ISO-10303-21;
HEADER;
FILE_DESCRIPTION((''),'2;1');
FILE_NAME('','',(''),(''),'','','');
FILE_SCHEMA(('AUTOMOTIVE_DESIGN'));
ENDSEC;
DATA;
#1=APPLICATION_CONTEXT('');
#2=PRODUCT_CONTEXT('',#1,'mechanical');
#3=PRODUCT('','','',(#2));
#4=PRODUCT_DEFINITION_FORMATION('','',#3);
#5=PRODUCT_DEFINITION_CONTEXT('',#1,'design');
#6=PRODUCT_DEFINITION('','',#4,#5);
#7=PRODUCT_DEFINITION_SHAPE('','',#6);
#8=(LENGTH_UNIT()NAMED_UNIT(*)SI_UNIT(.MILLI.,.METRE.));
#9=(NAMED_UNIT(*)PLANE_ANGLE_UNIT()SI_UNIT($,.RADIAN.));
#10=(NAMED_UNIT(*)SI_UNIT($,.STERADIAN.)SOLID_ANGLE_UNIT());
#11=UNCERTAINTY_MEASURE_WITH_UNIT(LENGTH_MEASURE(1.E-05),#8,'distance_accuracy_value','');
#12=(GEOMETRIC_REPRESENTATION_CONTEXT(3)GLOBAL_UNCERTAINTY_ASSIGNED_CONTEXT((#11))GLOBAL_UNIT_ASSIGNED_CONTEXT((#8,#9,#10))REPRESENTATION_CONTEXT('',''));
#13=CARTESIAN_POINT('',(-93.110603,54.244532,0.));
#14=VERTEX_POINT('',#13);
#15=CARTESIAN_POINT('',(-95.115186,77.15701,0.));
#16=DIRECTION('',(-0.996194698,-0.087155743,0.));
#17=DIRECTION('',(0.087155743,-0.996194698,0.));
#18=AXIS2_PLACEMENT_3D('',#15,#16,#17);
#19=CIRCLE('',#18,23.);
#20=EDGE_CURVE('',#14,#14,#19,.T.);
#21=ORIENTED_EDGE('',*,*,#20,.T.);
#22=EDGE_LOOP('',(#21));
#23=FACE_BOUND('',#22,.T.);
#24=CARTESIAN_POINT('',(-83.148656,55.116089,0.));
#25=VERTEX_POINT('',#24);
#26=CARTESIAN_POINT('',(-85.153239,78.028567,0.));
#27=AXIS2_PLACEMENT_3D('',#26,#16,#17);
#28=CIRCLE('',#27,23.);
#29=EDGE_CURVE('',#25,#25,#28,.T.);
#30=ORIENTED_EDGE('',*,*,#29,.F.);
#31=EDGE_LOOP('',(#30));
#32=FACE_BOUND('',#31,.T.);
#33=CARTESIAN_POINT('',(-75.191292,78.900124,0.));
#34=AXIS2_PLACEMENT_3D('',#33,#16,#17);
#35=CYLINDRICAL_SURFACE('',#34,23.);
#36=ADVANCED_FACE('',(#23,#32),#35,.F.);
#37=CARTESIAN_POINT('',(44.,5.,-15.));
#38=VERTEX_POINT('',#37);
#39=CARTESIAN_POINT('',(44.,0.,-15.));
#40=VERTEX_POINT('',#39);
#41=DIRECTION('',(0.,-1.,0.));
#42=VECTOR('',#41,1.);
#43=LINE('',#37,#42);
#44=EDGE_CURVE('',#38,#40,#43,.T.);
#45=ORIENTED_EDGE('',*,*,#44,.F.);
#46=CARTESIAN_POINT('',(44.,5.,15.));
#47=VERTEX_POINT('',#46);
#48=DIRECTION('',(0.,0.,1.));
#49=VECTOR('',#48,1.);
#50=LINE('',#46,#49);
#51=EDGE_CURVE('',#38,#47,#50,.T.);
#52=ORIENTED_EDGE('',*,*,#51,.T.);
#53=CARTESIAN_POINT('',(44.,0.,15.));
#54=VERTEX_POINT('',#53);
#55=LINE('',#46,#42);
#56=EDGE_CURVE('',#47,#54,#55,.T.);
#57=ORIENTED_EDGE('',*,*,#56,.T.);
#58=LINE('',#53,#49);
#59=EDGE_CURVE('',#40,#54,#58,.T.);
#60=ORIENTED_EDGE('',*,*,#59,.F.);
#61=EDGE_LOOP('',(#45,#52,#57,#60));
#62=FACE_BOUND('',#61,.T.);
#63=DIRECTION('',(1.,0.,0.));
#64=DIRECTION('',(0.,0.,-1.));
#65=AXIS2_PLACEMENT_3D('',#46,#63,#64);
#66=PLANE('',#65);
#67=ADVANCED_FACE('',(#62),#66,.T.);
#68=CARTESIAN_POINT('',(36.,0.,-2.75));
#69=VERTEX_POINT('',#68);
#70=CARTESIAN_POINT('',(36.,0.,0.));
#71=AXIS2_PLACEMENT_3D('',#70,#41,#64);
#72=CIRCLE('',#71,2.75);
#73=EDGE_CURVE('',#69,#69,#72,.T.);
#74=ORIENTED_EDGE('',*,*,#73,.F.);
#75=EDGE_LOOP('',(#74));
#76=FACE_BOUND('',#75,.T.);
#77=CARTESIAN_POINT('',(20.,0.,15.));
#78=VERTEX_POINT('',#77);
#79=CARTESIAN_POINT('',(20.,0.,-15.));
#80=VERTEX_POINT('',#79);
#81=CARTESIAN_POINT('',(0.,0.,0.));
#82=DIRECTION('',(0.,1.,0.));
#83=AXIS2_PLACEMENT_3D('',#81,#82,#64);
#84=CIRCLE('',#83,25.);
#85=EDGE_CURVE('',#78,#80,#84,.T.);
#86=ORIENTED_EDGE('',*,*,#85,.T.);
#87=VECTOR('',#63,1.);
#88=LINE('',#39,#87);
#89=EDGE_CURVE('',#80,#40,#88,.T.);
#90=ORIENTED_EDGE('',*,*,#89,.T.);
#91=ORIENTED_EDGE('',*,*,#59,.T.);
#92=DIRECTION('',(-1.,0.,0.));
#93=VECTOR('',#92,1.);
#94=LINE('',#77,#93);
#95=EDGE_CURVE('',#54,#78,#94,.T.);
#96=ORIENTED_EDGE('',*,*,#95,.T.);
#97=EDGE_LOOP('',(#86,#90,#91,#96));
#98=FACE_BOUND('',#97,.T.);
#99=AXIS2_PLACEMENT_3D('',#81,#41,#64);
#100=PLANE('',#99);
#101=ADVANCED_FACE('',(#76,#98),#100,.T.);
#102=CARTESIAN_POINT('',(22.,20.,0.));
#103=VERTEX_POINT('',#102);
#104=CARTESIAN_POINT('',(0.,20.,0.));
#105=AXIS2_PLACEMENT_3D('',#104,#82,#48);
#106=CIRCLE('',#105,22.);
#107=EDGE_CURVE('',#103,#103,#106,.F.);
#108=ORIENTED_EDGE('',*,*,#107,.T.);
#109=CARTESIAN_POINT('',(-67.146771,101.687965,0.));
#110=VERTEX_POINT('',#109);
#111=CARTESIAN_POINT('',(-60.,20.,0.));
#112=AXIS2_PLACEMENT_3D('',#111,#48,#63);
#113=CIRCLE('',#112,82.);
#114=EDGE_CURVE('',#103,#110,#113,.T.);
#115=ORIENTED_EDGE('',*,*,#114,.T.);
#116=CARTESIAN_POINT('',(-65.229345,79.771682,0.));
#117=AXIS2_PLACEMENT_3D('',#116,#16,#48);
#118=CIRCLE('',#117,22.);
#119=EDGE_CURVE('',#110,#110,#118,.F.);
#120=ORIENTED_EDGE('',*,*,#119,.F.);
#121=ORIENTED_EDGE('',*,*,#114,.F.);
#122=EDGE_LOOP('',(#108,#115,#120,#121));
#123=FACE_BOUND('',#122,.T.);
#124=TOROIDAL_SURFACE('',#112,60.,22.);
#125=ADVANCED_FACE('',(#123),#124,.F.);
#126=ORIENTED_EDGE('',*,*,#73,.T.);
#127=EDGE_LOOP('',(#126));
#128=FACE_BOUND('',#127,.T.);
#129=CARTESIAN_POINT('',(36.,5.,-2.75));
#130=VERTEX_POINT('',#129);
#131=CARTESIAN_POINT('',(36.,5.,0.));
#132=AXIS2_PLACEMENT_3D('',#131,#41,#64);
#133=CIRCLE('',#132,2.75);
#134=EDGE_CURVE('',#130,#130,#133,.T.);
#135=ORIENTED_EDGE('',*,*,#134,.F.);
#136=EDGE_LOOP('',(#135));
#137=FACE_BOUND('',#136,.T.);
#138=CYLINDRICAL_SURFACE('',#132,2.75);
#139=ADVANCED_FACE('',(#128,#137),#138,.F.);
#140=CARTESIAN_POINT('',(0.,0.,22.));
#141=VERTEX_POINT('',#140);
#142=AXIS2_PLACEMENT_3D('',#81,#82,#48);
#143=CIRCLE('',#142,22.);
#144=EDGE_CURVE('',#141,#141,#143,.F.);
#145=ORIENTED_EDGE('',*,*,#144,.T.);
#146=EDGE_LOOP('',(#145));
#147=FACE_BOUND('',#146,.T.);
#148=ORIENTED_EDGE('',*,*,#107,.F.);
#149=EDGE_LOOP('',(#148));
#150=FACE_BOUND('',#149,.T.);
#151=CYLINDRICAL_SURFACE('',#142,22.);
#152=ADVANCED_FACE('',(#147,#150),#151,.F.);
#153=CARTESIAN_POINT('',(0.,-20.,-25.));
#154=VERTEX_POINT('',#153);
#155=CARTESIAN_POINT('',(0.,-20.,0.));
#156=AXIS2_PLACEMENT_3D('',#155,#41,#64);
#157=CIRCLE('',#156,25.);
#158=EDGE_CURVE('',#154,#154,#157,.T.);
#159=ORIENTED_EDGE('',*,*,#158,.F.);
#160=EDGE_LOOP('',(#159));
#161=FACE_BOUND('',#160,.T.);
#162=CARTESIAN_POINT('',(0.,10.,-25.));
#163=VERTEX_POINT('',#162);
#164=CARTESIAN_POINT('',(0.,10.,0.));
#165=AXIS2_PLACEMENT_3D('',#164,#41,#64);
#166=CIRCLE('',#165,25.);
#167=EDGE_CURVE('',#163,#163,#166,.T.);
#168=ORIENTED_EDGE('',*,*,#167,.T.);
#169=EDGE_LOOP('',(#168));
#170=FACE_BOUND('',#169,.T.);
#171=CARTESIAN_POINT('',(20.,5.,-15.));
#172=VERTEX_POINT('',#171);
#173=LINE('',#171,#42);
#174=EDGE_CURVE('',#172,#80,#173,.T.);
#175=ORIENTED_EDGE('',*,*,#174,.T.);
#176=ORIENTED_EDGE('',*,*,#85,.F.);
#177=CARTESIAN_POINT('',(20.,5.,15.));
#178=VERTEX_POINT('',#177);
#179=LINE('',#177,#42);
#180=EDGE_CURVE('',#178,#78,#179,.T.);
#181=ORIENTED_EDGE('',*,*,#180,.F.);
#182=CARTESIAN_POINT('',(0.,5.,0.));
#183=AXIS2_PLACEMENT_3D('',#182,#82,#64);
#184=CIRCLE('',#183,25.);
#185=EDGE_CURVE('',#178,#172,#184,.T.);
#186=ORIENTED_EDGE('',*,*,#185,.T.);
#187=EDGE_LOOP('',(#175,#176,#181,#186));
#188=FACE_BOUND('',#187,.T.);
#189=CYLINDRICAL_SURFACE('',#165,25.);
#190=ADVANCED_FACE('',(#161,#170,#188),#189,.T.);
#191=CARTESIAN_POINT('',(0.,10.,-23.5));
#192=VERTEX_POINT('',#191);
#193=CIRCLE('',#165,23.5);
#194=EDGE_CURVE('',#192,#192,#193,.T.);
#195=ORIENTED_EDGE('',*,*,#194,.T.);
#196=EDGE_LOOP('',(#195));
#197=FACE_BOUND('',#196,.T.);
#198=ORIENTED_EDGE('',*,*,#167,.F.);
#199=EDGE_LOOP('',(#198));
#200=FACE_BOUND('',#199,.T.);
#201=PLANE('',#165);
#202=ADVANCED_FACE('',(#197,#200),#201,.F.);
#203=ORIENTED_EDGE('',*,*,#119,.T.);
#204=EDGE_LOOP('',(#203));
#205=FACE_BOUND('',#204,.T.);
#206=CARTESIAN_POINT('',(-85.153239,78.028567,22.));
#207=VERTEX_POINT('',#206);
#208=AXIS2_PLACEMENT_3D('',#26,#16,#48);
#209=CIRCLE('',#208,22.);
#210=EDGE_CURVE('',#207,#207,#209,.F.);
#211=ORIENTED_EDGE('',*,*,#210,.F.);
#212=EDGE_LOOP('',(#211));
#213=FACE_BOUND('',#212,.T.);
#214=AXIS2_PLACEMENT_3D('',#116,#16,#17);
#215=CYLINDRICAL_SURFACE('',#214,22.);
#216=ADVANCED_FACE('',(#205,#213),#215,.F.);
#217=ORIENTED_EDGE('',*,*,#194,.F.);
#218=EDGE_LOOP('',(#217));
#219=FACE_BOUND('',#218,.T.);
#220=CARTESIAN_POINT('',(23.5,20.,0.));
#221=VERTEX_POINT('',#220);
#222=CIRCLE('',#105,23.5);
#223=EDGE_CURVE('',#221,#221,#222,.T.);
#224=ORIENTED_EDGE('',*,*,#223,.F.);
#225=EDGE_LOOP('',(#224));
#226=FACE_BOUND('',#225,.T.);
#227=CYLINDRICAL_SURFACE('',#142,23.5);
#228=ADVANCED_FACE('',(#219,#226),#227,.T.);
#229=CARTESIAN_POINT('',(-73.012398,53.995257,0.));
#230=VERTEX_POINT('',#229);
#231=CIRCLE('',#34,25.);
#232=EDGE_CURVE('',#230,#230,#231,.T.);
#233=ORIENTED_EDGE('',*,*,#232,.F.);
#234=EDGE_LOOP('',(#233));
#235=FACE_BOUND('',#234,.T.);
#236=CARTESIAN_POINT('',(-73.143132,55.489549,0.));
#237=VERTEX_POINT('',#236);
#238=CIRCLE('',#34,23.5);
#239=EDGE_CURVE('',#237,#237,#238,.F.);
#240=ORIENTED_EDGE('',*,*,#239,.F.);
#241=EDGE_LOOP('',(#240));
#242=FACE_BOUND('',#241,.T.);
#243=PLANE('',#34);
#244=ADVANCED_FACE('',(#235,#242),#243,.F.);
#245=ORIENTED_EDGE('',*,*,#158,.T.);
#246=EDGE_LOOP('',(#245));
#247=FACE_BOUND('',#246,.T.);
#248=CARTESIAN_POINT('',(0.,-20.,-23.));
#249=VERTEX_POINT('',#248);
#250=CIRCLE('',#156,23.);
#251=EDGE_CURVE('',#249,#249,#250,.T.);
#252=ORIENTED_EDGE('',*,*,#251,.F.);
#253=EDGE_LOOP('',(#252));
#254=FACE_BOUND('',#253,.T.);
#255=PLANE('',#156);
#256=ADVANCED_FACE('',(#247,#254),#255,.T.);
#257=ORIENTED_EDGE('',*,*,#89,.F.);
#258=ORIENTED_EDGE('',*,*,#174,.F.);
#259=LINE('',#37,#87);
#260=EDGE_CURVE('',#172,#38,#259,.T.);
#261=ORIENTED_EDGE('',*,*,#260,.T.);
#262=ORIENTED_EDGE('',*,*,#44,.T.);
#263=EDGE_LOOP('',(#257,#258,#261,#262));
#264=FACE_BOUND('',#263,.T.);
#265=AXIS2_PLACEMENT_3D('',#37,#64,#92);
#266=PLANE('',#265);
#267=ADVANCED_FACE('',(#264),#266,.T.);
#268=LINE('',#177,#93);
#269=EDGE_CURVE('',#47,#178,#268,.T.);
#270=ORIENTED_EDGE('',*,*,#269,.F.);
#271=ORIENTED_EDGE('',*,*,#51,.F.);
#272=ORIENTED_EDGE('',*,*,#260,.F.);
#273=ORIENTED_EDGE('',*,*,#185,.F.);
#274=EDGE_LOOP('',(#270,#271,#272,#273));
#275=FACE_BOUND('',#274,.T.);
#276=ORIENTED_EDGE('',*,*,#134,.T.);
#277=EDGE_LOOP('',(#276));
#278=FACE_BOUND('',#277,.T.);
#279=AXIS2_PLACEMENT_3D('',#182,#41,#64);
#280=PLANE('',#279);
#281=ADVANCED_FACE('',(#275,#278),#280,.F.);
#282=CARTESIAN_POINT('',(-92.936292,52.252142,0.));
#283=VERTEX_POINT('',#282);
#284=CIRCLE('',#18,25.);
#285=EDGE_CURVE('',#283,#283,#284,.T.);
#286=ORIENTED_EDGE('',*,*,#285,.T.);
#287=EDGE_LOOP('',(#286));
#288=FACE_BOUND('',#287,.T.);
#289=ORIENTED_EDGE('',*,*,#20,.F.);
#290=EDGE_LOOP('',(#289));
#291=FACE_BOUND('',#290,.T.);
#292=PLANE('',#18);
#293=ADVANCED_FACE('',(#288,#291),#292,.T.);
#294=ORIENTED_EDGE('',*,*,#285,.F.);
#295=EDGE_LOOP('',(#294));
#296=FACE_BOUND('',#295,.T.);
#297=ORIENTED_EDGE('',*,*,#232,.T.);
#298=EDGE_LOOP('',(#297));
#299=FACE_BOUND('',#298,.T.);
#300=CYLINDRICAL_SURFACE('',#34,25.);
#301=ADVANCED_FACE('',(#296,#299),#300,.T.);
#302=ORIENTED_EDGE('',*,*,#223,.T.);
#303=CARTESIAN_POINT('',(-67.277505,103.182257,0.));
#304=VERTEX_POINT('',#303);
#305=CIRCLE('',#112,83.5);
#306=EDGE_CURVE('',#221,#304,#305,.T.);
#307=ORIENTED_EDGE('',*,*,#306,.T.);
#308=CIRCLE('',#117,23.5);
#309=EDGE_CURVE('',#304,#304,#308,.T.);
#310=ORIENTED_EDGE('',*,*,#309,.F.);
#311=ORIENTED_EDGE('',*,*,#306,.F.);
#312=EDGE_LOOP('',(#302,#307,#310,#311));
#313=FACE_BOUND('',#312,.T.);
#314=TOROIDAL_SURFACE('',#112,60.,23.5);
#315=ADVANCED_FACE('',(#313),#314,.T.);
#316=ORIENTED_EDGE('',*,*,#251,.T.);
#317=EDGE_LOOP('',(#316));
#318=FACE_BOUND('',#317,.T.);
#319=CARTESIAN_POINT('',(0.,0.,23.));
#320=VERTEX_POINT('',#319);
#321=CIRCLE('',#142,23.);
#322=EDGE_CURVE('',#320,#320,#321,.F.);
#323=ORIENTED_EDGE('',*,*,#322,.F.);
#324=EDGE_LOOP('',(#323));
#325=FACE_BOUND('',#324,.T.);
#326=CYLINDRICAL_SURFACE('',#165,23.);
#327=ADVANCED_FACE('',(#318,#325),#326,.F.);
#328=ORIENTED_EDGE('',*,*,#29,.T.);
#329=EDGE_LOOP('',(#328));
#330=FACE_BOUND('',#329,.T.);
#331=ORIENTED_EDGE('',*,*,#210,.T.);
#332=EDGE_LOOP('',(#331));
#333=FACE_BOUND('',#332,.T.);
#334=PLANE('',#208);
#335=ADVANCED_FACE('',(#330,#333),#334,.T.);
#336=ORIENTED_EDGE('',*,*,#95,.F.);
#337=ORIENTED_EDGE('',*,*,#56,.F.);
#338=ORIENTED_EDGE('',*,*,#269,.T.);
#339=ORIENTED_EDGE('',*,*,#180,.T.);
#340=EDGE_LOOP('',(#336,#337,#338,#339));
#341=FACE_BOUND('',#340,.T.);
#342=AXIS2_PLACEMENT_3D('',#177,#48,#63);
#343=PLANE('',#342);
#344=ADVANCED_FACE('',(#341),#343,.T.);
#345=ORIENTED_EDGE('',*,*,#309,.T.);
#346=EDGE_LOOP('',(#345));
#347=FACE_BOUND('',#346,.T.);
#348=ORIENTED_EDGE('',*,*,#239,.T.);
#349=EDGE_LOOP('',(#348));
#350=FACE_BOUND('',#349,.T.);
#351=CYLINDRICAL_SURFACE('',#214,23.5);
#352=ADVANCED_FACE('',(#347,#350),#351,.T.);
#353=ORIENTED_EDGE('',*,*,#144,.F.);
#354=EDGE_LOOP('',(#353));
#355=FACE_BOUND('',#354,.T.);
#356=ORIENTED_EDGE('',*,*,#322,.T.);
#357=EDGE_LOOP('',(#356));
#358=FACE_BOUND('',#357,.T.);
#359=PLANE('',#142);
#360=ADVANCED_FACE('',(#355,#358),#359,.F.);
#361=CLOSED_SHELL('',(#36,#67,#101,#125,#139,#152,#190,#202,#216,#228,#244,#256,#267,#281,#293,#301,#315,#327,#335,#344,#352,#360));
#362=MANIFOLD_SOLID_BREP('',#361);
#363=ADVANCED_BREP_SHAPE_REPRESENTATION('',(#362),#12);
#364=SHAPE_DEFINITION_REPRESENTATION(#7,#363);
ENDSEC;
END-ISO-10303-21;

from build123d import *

# Parameters (mm, degrees)
SKETCH_1_R           = 23.5
SKETCH_1_R_2         = 22
EXTRUDE_1_DEPTH      = 20
EXTRUDE_1_DEPTH_BACK = 10
SKETCH_3_R           = 25
SKETCH_3_R_2         = 23
EXTRUDE_2_DEPTH      = 10
EXTRUDE_2_DEPTH_BACK = 10
SKETCH_4_R           = 25
SKETCH_4_R_2         = 23
SKETCH_5_R           = 2.75
EXTRUDE_3_DEPTH      = 5


with BuildPart() as part:
    # 扫描1: sweep along a path in 草图2
    with BuildLine(Plane.XY) as sweep_1_path:
        Line((0, 0), (0, 20))
        ThreePointArc((0, 20), (-19.464587543, 64.236640209), (-65.229344565, 79.771681886))
        Line((-65.229344565, 79.771681886), (-85.153238527, 78.028567031))
    # 草图1 → 扫描1 (sweep)
    with BuildSketch(Plane(origin=(0, 0, 0), x_dir=(1, 0, 0), z_dir=(0, 1, 0))):
        Circle(SKETCH_1_R)
        Circle(SKETCH_1_R_2, mode=Mode.SUBTRACT)
    sweep(path=sweep_1_path.line)

    # 草图4 → 凸台-拉伸2 (add, two sides: drawn at the far end of the back side and taken through both)
    with BuildSketch(Plane(origin=(-77.731644776, -6.800637715, 0), x_dir=(0, 0, 1), z_dir=(-0.9961946980917464, -0.08715574274764801, 0)).offset(-EXTRUDE_2_DEPTH_BACK)):
        with Locations((0, 85.153238527)):
            Circle(SKETCH_4_R)
        with Locations((0, 85.153238527)):
            Circle(SKETCH_4_R_2, mode=Mode.SUBTRACT)
    extrude(amount=EXTRUDE_2_DEPTH + EXTRUDE_2_DEPTH_BACK)


with BuildPart() as body_2:
    # 草图3 → 凸台-拉伸1 (new, two sides: drawn at the far end of the back side and taken through both)
    with BuildSketch(Plane.XZ.offset(-EXTRUDE_1_DEPTH_BACK)):
        Circle(SKETCH_3_R)
        Circle(SKETCH_3_R_2, mode=Mode.SUBTRACT)
    extrude(amount=EXTRUDE_1_DEPTH + EXTRUDE_1_DEPTH_BACK)


    add(part.part)  # 凸台-拉伸3 merges part
    # 草图5 → 凸台-拉伸3 (add)
    with BuildSketch(Plane(origin=(0, 0, 0), x_dir=(-1, 0, 0), z_dir=(0, -1, 0))):
        with BuildLine():
            Line((-44, 15), (-20, 15))
            ThreePointArc((-20, 15), (-25, 0), (-20, -15))
            Line((-20, -15), (-44, -15))
            Line((-44, -15), (-44, 15))
        make_face()
        with Locations((-36, 0)):
            Circle(SKETCH_5_R, mode=Mode.SUBTRACT)
    extrude(amount=-EXTRUDE_3_DEPTH)


solid = body_2.part
